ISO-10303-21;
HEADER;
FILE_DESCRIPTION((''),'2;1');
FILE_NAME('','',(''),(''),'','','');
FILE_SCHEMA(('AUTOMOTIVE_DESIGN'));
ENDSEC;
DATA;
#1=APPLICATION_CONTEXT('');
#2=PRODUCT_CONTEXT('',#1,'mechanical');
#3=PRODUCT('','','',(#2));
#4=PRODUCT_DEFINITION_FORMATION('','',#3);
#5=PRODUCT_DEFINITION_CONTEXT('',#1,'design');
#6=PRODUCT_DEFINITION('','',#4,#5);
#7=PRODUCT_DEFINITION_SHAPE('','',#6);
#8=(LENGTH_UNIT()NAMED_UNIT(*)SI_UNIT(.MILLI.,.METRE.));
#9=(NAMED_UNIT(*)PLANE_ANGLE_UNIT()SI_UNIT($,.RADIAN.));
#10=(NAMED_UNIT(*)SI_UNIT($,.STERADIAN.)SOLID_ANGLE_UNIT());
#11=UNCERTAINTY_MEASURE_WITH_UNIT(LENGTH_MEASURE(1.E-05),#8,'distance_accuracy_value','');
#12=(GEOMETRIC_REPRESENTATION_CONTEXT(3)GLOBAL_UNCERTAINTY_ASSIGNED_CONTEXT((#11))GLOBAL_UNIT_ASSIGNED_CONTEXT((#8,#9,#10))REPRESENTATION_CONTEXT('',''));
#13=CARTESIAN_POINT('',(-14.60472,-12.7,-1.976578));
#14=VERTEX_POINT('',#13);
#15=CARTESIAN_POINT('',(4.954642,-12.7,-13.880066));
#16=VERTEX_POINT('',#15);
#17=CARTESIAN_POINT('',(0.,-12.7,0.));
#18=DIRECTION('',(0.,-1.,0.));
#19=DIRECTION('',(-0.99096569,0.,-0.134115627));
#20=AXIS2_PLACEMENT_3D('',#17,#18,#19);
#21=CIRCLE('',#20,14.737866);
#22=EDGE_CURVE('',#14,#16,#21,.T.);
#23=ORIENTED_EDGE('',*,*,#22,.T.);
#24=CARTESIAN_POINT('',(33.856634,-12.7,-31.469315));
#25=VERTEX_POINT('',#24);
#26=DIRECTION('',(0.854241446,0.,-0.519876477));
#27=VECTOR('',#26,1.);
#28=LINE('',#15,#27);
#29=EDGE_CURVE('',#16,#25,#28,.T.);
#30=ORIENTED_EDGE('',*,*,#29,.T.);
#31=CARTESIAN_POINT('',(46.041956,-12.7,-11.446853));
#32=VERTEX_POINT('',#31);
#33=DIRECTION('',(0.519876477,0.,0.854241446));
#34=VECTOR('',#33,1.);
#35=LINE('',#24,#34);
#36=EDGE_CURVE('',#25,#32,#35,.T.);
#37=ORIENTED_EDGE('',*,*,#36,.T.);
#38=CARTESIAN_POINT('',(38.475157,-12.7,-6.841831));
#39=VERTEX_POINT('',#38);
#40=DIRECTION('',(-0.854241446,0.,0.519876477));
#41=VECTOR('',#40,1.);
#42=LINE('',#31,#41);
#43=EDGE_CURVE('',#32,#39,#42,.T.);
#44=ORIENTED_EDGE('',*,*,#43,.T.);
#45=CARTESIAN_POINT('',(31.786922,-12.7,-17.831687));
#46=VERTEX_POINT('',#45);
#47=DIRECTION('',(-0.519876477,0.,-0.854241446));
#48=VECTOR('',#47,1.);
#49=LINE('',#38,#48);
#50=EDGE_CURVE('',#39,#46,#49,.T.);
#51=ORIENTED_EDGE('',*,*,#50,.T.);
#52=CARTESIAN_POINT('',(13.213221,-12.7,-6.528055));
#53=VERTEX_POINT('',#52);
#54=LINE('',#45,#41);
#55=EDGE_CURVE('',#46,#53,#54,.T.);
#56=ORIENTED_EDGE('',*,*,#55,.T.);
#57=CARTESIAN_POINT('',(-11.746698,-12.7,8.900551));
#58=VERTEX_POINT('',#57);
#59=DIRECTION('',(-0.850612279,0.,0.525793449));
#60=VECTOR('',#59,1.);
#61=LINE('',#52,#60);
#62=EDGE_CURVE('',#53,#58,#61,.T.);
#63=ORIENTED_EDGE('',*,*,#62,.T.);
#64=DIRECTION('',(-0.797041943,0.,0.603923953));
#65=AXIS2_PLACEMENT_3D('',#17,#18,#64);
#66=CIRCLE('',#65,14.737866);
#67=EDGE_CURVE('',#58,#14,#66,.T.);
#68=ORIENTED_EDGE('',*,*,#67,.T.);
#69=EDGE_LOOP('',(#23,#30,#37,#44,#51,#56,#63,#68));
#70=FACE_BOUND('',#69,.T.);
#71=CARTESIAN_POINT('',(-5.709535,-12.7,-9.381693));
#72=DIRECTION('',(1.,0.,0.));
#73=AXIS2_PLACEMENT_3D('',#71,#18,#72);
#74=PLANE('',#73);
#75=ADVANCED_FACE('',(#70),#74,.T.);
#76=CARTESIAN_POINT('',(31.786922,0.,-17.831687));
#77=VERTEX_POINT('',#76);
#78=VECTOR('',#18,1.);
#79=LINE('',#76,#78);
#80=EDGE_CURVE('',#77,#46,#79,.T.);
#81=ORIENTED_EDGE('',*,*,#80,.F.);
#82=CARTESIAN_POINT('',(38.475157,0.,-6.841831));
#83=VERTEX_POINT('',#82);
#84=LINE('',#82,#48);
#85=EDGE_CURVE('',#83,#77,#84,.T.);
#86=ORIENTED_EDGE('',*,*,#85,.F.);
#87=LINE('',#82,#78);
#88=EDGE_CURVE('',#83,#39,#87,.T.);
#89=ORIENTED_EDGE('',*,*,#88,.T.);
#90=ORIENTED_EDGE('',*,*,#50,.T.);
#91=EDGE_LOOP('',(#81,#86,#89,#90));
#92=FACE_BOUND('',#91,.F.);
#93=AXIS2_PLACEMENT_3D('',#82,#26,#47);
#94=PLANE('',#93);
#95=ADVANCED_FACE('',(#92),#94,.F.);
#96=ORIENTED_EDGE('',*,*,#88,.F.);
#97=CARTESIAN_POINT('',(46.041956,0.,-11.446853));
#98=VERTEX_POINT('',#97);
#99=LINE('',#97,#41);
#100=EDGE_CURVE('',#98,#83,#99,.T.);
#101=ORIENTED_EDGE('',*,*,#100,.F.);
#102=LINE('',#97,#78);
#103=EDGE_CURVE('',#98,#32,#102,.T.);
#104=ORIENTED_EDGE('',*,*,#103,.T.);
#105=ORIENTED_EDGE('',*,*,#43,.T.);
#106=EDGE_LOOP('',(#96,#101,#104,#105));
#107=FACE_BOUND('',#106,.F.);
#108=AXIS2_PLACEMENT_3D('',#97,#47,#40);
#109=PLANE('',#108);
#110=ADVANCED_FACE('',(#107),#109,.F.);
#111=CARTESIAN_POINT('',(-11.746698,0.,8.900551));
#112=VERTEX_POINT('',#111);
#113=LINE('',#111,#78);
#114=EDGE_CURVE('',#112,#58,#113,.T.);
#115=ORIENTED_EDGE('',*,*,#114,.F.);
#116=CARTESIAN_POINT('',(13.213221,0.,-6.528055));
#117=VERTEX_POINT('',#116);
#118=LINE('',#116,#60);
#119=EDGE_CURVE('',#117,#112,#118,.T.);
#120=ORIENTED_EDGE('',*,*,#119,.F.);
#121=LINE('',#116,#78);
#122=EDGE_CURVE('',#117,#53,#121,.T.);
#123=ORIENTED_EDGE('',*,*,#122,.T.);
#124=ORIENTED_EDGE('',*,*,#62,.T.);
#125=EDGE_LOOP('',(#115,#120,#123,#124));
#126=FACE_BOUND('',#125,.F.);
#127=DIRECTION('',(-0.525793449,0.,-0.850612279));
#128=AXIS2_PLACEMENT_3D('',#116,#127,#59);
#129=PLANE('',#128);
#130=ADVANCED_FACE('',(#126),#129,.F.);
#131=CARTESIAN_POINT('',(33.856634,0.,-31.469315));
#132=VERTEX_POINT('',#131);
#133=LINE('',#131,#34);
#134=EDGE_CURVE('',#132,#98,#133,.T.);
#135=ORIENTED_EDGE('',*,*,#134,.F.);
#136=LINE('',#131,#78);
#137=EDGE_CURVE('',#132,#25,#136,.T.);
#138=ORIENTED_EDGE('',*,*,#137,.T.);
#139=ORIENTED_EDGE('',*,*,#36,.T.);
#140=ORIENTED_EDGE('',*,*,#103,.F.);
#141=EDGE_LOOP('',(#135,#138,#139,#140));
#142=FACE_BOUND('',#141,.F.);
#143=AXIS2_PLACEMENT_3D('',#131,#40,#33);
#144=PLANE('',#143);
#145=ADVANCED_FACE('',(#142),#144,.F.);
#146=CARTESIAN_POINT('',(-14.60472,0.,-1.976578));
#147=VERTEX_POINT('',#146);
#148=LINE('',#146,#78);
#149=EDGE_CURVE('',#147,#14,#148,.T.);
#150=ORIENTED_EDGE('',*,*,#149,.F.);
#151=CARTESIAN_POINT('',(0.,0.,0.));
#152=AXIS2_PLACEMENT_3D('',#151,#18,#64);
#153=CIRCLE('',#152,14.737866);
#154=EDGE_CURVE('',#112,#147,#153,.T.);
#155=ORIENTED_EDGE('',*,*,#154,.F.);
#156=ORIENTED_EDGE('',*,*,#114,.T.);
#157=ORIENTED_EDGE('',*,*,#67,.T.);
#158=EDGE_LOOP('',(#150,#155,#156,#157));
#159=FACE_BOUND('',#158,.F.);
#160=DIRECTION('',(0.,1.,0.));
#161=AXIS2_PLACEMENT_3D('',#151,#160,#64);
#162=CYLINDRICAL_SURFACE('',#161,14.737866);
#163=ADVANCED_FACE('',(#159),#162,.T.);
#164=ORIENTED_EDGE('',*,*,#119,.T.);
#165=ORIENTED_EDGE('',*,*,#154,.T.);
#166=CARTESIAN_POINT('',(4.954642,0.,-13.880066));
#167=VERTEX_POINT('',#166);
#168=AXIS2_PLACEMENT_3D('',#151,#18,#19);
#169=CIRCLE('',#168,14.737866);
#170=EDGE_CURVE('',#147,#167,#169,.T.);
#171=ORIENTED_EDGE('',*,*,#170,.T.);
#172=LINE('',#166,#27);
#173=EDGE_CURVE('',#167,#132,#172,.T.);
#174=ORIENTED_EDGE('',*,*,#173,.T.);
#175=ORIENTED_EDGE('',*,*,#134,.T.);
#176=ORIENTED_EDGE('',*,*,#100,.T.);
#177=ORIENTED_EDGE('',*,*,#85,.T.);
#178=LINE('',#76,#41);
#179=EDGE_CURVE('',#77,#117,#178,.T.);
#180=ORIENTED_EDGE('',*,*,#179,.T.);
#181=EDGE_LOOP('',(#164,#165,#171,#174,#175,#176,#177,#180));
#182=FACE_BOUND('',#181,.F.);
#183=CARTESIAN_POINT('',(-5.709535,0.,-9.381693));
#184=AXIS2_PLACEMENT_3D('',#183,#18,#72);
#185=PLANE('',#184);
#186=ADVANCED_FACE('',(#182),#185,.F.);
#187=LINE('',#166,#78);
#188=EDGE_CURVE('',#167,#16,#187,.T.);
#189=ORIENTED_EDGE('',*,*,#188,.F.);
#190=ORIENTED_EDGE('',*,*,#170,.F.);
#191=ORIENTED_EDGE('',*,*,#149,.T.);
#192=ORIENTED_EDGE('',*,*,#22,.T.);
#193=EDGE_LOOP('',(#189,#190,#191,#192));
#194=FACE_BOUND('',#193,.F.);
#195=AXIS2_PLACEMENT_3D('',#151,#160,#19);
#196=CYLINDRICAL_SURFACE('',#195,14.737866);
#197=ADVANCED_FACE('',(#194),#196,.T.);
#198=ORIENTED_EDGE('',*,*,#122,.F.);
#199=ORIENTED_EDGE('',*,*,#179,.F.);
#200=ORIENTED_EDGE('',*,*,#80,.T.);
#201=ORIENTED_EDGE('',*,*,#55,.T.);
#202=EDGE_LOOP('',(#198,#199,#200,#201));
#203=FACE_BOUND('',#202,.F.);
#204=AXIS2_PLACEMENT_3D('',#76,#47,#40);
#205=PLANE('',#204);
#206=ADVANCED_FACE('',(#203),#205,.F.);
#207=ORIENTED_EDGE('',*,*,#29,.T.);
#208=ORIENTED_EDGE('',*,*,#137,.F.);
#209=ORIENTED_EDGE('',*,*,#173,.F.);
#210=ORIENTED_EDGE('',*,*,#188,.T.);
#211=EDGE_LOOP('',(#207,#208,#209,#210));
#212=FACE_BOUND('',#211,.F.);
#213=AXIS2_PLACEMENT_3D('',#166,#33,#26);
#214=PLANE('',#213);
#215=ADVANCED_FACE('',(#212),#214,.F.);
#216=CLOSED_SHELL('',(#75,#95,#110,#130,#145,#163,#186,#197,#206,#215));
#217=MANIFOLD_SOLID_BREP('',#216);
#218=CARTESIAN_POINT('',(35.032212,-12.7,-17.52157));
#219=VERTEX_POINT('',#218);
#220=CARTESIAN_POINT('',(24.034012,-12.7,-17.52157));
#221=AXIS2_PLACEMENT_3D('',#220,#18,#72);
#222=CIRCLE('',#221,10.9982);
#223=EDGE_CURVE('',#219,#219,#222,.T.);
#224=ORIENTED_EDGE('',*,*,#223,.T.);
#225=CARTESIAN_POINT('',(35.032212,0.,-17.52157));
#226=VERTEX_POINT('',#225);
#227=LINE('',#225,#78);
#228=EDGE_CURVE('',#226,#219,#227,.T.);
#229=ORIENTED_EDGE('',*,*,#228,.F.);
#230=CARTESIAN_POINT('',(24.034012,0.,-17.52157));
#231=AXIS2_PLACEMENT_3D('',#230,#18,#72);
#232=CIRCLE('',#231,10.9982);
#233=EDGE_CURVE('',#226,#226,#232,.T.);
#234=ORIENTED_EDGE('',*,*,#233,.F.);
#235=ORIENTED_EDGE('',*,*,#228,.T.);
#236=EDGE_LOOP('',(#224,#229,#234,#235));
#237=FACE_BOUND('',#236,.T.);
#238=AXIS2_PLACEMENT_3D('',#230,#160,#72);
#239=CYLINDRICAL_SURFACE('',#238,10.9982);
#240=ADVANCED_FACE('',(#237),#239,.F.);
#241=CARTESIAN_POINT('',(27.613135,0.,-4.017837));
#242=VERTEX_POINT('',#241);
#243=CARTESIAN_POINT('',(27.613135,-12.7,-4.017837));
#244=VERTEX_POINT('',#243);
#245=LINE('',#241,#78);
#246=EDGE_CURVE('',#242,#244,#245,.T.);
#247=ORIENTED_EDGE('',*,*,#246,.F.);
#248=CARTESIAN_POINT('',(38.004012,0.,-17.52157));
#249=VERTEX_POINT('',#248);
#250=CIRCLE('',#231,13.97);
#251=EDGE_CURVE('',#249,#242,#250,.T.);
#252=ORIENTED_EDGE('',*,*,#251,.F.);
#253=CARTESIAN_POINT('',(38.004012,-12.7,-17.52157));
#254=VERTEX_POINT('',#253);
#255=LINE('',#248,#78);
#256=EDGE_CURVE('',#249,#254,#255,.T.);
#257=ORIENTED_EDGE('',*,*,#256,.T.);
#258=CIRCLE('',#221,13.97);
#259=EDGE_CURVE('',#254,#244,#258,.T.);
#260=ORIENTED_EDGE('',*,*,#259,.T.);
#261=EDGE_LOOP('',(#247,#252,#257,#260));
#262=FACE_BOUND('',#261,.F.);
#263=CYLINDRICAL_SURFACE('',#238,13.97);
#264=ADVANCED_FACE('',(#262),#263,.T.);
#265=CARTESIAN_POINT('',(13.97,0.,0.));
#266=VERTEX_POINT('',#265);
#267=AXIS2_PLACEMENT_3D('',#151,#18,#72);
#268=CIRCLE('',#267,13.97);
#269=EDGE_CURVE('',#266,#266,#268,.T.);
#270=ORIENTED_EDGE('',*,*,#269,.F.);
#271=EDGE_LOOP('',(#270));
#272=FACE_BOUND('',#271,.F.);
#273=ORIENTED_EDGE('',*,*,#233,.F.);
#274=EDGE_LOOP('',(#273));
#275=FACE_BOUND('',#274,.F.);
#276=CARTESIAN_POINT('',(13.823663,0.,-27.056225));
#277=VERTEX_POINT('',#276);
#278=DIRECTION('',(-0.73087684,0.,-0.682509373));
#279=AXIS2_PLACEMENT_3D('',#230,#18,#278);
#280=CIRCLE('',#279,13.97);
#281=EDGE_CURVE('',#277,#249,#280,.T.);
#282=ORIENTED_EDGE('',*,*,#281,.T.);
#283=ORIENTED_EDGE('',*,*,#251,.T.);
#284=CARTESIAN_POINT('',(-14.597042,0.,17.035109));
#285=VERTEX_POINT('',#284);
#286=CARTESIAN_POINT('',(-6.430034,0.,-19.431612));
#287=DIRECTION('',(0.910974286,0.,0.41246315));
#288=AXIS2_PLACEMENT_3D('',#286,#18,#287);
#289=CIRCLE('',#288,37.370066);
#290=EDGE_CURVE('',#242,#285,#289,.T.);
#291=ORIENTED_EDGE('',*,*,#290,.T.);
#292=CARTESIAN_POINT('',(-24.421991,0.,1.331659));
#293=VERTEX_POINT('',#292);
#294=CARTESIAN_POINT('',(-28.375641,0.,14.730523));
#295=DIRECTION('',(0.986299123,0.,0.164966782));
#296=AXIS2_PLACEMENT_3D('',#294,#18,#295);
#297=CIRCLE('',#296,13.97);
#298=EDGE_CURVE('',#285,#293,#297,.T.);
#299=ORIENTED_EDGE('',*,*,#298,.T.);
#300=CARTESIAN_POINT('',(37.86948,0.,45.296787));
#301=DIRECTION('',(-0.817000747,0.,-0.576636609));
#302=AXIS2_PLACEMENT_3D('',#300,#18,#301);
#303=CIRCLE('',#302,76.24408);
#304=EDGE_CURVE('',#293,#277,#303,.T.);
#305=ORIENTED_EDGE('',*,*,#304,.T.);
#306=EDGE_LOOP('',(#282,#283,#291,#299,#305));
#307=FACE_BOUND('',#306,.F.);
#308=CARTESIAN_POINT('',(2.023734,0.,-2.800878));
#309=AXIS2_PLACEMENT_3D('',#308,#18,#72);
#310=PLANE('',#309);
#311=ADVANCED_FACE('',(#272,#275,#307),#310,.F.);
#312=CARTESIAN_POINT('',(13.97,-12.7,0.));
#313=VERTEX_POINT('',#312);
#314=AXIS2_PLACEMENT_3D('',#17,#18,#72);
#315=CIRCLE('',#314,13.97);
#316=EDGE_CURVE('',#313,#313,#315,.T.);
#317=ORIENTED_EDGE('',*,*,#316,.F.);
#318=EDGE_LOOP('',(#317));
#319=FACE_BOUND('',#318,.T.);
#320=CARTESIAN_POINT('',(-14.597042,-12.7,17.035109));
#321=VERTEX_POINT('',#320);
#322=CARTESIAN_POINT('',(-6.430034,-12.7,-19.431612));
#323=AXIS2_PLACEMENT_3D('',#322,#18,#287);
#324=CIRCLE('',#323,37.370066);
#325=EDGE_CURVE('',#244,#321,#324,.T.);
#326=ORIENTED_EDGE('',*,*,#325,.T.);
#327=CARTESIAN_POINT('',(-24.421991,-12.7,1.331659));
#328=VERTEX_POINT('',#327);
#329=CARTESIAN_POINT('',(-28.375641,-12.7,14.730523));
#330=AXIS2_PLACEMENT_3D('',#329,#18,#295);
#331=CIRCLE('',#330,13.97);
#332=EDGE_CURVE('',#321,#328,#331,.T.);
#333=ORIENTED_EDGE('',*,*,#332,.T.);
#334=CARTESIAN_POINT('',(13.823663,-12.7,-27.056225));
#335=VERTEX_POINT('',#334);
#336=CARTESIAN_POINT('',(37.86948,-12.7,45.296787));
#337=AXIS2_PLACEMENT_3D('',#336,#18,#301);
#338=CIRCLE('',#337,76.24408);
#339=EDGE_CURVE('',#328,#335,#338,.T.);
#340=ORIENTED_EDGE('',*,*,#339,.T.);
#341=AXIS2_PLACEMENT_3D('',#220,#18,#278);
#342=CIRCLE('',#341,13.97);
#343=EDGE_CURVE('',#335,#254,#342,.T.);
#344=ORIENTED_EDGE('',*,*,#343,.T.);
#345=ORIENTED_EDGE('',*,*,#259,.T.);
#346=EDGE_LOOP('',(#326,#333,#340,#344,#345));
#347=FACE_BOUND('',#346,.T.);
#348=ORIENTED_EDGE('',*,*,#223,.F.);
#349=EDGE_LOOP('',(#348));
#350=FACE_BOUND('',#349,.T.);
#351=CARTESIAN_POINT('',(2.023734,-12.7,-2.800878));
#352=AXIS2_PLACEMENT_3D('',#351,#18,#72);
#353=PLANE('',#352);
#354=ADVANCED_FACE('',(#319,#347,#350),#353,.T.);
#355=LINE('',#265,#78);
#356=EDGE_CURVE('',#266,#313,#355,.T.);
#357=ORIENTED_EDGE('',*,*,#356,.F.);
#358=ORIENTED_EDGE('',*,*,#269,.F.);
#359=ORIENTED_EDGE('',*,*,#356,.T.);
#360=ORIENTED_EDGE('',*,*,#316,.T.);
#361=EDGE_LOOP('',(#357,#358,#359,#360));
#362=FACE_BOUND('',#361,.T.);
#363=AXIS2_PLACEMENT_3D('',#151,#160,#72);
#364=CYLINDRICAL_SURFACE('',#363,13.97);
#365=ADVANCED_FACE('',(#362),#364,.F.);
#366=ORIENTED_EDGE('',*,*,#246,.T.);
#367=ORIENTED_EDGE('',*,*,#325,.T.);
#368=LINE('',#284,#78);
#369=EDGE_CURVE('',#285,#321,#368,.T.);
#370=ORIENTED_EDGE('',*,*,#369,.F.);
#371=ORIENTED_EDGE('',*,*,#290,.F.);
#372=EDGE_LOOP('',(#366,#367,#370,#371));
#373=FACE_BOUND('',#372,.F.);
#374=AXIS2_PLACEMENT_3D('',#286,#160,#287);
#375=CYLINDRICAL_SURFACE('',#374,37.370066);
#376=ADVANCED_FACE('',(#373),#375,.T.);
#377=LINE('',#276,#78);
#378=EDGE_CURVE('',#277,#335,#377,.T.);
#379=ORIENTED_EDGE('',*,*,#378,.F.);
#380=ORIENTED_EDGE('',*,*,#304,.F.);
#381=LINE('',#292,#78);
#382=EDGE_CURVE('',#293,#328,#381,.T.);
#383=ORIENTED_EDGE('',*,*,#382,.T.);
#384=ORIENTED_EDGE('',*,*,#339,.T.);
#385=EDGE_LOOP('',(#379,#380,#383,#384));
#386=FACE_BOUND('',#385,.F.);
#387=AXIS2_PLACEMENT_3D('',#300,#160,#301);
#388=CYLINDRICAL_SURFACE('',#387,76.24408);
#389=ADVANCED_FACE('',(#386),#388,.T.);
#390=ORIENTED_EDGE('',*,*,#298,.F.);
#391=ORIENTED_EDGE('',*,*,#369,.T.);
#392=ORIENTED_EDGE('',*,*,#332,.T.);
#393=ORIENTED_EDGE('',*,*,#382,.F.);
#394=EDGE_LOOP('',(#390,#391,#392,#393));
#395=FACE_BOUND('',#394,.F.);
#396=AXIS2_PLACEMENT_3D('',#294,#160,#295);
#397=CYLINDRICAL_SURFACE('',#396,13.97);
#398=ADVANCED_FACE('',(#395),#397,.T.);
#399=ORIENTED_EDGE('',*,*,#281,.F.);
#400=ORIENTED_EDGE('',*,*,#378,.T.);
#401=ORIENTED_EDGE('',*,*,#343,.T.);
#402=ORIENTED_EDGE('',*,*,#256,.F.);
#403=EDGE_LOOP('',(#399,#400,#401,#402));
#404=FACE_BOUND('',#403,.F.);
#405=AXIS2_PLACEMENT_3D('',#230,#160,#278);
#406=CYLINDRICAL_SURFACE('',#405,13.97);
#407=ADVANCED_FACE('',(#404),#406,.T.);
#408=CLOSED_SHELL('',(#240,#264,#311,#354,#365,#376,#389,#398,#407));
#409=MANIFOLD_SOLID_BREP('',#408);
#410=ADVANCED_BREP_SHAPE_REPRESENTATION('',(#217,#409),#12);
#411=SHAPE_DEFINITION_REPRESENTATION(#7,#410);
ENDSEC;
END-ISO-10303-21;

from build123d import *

# Parameters (mm, degrees)
F2_DEPTH = 12.7
F1_R     = 13.97
F1_R_2   = 10.9982


with BuildPart() as f2:
    # F0 (on Front) → F2 (new body)
    with BuildSketch(Plane.XZ):
        with BuildLine():
            ThreePointArc((-14.6047199117, -1.976578188), (-7.6618700473, -12.5896962795), (4.9546424123, -13.8800656914))
            Line((4.9546424123, -13.8800656914), (-14.6047199117, -1.976578188))
        make_face()
        with BuildLine():
            ThreePointArc((13.2132206337, -6.528055263), (9.7995319403, -11.0079007437), (4.9546424123, -13.8800656914))
            Line((4.9546424123, -13.8800656914), (33.856634211, -31.469314896))
            Line((33.856634211, -31.469314896), (46.0419560348, -11.446853032))
            Line((46.0419560348, -11.446853032), (38.475157361, -6.84183105))
            Line((38.475157361, -6.84183105), (31.7869223654, -17.8316868842))
            Line((31.7869223654, -17.8316868842), (13.2132206337, -6.528055263))
        make_face()
        with BuildLine():
            Line((-14.6047199117, -1.976578188), (4.9546424123, -13.8800656914))
            ThreePointArc((4.9546424123, -13.8800656914), (9.7995319403, -11.0079007437), (13.2132206337, -6.528055263))
            Line((13.2132206337, -6.528055263), (-11.7466976447, 8.9005505154))
            ThreePointArc((-11.7466976447, 8.9005505154), (-14.2540269403, 3.7453198819), (-14.6047199117, -1.976578188))
        make_face()
    extrude(amount=F2_DEPTH)


with BuildPart() as f2b:
    # F1 (on Front) → F2, piece 2 (new body)
    with BuildSketch(Plane.XZ):
        with BuildLine():
            ThreePointArc((-14.5970417573, 17.0351092838), (-14.4535730538, 15.8867835628), (-14.4056405115, 14.7305233404))
            ThreePointArc((-14.4056405115, 14.7305233404), (-17.1865077148, 6.3660623741), (-24.4219908705, 1.3316594141))
            ThreePointArc((-24.4219908705, 1.3316594141), (-7.5727892853, -15.9254305951), (13.8236626529, -27.05622545))
            ThreePointArc((13.8236626529, -27.05622545), (12.0471391185, -10.3469074291), (27.6131346419, -4.0178373585))
            ThreePointArc((27.6131346419, -4.0178373585), (10.2493114705, 14.0096979032), (-14.5970417573, 17.0351092838))
        make_face()
        Circle(F1_R, mode=Mode.SUBTRACT)
        with BuildLine():
            ThreePointArc((38.004012109, -17.5215695053), (35.1056254012, -9.0021634751), (27.6131346419, -4.0178373585))
            ThreePointArc((27.6131346419, -4.0178373585), (12.0471391185, -10.3469074291), (13.8236626529, -27.05622545))
            ThreePointArc((13.8236626529, -27.05622545), (29.158576388, -30.517712816), (38.004012109, -17.5215695053))
        make_face()
        with Locations((24.034012109, -17.5215695053)):
            Circle(F1_R_2, mode=Mode.SUBTRACT)
        with BuildLine():
            ThreePointArc((-24.4219908705, 1.3316594141), (-17.1865077148, 6.3660623741), (-14.4056405115, 14.7305233404))
            ThreePointArc((-14.4056405115, 14.7305233404), (-14.4535730538, 15.8867835628), (-14.5970417573, 17.0351092838))
            ThreePointArc((-14.5970417573, 17.0351092838), (-40.2186866881, 22.1401898147), (-24.4219908705, 1.3316594141))
        make_face()
        with Locations((-28.3756405115, 14.7305233404)):
            Circle(F1_R_2, mode=Mode.SUBTRACT)
        with Locations((-28.3756405115, 14.7305233404)):
            Circle(F1_R_2)
    extrude(amount=F2_DEPTH)


solid = Compound([f2.part, f2b.part])
